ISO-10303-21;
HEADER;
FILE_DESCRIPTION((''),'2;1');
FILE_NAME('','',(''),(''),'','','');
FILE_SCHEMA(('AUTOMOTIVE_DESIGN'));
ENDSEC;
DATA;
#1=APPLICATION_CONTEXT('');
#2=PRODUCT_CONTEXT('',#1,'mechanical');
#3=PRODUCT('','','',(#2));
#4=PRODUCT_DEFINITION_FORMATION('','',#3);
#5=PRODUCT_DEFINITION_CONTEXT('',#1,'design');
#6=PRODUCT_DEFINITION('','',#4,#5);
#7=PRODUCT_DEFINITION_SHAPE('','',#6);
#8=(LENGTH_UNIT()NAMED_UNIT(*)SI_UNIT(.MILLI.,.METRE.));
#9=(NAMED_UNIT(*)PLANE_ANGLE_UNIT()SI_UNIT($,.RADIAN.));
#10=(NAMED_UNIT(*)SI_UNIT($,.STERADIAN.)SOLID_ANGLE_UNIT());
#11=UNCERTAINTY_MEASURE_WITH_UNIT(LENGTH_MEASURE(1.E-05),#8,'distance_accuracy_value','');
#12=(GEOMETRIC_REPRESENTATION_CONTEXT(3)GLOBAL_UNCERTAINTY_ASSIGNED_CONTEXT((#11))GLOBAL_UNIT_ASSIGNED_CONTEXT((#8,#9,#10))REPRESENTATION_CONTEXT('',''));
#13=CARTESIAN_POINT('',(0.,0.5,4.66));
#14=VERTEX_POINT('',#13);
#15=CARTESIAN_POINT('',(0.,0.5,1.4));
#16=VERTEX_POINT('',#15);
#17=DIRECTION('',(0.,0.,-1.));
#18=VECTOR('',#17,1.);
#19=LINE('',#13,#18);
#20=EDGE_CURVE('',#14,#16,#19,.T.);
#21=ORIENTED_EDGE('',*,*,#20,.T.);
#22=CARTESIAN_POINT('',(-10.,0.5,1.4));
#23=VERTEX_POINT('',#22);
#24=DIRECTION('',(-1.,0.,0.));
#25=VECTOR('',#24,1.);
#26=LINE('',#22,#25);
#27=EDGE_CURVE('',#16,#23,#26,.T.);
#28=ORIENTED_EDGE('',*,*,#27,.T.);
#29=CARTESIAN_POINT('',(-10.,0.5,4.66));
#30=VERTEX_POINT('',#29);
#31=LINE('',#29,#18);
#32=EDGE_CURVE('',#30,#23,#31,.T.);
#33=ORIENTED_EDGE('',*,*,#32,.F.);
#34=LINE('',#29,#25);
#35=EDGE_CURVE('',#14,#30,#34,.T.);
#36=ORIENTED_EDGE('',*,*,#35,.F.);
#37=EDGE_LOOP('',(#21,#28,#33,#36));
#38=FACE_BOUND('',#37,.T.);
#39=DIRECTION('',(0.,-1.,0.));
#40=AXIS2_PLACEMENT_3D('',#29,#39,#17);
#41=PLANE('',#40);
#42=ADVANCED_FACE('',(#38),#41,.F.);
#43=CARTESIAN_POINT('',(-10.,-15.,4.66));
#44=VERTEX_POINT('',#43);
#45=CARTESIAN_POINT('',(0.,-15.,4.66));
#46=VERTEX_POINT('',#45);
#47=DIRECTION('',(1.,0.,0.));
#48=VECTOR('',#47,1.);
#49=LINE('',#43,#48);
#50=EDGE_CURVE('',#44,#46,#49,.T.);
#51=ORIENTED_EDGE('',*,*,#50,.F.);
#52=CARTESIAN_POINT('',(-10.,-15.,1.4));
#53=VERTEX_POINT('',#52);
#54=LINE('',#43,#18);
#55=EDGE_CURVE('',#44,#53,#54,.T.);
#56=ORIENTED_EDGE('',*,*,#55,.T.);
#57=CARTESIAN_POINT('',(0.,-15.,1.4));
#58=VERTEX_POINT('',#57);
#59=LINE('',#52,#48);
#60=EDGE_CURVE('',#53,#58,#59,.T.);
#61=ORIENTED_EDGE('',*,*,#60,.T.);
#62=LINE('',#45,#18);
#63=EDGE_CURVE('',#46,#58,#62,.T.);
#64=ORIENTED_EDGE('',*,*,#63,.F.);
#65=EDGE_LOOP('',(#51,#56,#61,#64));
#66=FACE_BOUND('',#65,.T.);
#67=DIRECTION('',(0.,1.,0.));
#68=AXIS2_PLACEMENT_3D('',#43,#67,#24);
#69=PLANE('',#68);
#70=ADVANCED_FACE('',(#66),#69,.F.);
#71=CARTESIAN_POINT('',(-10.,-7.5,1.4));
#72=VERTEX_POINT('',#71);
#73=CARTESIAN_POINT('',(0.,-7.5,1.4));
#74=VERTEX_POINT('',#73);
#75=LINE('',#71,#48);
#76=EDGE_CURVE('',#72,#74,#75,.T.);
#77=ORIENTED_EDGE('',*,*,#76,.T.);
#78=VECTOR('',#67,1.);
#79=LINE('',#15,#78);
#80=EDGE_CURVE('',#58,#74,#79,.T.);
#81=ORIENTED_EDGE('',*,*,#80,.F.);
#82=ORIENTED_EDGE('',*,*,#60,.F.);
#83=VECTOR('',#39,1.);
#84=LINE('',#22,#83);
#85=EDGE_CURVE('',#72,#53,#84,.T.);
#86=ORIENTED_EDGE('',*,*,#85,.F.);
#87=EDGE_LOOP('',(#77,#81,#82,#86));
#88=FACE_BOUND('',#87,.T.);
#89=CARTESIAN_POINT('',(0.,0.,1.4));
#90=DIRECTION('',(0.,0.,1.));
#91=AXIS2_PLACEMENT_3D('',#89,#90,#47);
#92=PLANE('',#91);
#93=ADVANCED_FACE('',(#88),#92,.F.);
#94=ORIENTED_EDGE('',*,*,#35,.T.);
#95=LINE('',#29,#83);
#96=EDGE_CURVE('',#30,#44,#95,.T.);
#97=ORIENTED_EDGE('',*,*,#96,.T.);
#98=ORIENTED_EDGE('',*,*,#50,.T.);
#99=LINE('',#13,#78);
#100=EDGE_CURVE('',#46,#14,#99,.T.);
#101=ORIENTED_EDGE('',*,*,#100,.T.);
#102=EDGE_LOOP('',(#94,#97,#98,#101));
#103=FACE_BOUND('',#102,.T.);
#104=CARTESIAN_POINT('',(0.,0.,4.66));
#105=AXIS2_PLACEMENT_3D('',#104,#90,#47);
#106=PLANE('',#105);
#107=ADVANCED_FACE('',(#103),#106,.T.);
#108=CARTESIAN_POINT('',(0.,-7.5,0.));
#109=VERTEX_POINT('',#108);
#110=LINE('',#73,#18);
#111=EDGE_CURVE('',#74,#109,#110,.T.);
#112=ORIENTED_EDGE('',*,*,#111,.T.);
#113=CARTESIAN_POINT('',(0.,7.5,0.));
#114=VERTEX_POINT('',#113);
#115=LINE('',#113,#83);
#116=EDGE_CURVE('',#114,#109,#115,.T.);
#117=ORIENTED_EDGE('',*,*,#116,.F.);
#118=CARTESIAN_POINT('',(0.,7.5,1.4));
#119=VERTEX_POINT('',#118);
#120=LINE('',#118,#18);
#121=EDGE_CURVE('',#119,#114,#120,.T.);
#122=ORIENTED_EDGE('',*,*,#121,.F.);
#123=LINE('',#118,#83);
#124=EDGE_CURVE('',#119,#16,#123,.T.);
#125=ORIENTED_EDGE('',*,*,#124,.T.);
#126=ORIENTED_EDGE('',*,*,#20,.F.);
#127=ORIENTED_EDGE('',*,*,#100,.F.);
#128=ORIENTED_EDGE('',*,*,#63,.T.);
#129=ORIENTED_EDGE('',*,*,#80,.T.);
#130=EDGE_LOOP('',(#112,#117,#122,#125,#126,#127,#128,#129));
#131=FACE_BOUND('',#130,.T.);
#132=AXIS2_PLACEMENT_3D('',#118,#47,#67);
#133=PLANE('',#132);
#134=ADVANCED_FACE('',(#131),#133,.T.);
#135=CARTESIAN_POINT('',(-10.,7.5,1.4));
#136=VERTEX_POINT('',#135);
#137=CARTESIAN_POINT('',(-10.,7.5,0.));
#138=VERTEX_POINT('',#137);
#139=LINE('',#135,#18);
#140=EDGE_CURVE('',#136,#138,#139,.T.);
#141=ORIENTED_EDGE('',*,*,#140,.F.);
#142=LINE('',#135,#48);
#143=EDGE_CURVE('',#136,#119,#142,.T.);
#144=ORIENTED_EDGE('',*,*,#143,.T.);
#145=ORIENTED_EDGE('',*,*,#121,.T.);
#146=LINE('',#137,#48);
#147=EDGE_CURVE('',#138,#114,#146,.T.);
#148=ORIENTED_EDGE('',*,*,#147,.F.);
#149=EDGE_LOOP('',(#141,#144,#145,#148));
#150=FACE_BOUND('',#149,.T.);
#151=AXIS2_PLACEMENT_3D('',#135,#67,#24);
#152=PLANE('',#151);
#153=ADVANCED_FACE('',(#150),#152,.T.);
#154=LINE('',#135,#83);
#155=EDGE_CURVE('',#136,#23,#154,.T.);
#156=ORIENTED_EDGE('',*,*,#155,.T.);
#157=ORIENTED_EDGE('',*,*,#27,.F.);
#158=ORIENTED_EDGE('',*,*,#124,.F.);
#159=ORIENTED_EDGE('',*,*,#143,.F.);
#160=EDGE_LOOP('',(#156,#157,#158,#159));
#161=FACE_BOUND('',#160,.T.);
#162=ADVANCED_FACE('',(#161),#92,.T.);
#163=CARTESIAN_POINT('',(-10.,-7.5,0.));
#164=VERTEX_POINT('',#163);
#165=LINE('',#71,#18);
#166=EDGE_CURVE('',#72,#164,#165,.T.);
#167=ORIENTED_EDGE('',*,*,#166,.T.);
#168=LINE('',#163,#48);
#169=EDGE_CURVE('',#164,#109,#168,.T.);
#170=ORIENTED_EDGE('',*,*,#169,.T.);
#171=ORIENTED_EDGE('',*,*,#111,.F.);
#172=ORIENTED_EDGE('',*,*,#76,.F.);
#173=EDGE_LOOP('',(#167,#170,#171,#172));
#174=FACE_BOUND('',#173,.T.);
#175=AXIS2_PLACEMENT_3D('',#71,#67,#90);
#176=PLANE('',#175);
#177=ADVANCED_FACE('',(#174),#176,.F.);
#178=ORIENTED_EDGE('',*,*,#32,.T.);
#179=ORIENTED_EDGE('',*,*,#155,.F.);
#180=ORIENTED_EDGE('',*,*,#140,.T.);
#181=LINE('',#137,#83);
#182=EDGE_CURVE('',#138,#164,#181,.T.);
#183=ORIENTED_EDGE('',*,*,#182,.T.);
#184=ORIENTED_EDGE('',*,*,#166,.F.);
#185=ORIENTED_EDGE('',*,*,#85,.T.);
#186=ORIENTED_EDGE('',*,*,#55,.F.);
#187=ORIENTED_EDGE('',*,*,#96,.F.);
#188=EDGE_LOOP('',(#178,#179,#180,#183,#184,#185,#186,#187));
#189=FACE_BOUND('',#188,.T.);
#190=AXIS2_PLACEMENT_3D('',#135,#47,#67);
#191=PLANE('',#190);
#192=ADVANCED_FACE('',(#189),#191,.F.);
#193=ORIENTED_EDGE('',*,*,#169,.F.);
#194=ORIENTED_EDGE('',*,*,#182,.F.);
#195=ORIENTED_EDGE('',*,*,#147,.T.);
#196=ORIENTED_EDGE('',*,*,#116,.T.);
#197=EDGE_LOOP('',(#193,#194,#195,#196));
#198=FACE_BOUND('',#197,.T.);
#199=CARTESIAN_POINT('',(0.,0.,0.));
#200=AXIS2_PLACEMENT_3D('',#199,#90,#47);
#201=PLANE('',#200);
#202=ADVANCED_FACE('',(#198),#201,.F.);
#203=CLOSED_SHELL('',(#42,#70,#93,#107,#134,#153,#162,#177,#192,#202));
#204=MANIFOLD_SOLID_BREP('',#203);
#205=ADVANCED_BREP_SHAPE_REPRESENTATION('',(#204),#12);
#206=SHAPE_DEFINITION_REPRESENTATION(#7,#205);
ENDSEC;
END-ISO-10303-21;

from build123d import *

# Parameters (mm, degrees)
SKETCH1_W           = 10
SKETCH1_H           = 15
BOSS_EXTRUDE1_DEPTH = 1.4
SKETCH2_W           = 10
SKETCH2_H           = 15.5
BOSS_EXTRUDE2_DEPTH = 3.26


with BuildPart() as part:
    # Sketch1 → Boss-Extrude1 (new body)
    with BuildSketch(Plane.XY):
        with Locations((-5, 0)):
            Rectangle(SKETCH1_W, SKETCH1_H)
    extrude(amount=BOSS_EXTRUDE1_DEPTH)

    # Sketch2 → Boss-Extrude2 (add)
    with BuildSketch(Plane.XY.offset(1.4)):
        with Locations((-5, -7.25)):
            Rectangle(SKETCH2_W, SKETCH2_H)
    extrude(amount=BOSS_EXTRUDE2_DEPTH)


solid = part.part
